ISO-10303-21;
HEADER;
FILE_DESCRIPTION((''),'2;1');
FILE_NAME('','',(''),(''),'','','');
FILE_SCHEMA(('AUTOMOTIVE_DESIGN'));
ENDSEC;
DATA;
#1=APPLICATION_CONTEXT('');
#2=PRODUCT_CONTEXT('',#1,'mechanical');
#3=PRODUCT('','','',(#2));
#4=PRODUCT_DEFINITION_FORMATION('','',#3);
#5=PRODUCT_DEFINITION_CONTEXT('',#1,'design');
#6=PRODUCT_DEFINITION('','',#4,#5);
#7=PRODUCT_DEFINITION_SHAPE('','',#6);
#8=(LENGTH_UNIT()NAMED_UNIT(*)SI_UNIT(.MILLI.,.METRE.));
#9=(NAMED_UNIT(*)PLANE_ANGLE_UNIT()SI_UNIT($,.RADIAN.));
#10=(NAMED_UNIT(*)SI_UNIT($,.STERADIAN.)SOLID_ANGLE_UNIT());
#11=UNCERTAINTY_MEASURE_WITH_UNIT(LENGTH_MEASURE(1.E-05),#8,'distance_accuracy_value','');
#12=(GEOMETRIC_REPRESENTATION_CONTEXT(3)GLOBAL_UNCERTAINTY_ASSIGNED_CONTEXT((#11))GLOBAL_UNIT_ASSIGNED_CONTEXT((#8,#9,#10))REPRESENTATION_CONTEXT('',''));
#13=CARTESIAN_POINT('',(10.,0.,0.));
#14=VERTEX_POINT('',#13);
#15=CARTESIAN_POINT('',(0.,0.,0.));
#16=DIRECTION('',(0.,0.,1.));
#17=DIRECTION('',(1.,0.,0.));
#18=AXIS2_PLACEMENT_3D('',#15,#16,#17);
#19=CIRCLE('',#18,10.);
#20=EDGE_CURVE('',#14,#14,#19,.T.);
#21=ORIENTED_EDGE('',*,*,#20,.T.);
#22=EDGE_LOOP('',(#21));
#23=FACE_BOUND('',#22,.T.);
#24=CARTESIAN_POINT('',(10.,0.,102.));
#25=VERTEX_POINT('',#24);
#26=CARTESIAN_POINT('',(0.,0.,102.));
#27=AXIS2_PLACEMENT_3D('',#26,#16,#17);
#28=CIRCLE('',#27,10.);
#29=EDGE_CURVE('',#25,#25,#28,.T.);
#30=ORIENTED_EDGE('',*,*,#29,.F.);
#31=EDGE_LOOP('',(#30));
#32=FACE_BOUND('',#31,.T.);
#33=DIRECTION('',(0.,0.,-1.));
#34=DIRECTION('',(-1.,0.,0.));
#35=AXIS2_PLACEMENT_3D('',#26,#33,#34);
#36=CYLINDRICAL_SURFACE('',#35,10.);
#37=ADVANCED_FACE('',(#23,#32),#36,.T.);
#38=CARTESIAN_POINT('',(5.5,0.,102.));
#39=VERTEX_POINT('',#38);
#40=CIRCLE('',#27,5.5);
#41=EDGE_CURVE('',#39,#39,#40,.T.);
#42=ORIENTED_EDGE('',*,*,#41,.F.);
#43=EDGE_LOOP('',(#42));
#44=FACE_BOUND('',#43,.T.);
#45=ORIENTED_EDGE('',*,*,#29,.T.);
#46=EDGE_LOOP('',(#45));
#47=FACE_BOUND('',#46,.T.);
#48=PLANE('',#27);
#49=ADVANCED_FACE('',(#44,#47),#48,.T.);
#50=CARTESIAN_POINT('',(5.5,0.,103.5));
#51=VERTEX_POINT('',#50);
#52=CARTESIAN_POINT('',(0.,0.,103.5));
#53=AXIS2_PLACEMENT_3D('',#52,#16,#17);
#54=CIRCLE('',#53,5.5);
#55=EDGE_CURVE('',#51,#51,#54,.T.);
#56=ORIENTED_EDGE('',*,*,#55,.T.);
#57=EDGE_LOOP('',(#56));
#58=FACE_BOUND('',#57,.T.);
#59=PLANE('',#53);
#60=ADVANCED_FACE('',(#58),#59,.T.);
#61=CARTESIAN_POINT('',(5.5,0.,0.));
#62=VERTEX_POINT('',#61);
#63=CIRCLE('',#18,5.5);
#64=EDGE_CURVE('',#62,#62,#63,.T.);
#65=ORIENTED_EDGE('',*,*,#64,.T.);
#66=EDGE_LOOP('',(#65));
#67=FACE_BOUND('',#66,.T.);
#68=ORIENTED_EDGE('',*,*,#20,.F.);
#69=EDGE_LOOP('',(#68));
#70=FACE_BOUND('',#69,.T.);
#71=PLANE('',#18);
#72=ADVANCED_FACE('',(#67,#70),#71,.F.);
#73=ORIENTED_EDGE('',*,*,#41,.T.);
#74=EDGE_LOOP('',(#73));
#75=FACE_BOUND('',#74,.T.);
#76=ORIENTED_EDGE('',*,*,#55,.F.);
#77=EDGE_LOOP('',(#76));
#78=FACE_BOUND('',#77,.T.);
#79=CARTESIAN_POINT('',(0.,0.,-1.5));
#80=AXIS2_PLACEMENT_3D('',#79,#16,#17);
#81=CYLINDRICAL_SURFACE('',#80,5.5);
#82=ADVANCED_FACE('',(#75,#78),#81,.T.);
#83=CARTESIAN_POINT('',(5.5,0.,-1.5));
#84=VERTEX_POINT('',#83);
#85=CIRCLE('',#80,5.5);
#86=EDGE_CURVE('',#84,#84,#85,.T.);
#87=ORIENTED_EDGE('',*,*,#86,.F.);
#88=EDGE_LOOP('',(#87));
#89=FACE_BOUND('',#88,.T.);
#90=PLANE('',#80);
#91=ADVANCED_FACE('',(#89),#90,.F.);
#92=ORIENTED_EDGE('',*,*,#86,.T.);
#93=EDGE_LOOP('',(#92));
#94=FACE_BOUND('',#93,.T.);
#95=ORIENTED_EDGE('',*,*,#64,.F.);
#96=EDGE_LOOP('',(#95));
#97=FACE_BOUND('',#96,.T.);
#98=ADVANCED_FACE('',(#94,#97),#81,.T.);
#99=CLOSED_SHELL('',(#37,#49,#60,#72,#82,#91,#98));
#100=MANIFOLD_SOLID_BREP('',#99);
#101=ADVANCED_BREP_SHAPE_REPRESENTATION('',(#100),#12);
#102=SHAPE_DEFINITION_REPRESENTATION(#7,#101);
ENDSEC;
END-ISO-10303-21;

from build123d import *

# Parameters (mm, degrees)
CROQUIS1_R                   = 10
SALIENTE_EXTRUIR2_DEPTH      = 102
CROQUIS2_R                   = 5.5
SALIENTE_EXTRUIR3_DEPTH      = 1.5
SALIENTE_EXTRUIR3_DEPTH_BACK = 103.5


with BuildPart() as part:
    # Croquis1 → Saliente-Extruir2 (new body)
    with BuildSketch(Plane.XY):
        Circle(CROQUIS1_R)
    extrude(amount=SALIENTE_EXTRUIR2_DEPTH)

    # Croquis2 → Saliente-Extruir3 (add, two sides)
    with BuildSketch(Plane.XY.offset(102)) as saliente_extruir3_sk:
        Circle(CROQUIS2_R)
    extrude(amount=SALIENTE_EXTRUIR3_DEPTH)
    extrude(saliente_extruir3_sk.sketch, amount=-SALIENTE_EXTRUIR3_DEPTH_BACK)


solid = part.part
